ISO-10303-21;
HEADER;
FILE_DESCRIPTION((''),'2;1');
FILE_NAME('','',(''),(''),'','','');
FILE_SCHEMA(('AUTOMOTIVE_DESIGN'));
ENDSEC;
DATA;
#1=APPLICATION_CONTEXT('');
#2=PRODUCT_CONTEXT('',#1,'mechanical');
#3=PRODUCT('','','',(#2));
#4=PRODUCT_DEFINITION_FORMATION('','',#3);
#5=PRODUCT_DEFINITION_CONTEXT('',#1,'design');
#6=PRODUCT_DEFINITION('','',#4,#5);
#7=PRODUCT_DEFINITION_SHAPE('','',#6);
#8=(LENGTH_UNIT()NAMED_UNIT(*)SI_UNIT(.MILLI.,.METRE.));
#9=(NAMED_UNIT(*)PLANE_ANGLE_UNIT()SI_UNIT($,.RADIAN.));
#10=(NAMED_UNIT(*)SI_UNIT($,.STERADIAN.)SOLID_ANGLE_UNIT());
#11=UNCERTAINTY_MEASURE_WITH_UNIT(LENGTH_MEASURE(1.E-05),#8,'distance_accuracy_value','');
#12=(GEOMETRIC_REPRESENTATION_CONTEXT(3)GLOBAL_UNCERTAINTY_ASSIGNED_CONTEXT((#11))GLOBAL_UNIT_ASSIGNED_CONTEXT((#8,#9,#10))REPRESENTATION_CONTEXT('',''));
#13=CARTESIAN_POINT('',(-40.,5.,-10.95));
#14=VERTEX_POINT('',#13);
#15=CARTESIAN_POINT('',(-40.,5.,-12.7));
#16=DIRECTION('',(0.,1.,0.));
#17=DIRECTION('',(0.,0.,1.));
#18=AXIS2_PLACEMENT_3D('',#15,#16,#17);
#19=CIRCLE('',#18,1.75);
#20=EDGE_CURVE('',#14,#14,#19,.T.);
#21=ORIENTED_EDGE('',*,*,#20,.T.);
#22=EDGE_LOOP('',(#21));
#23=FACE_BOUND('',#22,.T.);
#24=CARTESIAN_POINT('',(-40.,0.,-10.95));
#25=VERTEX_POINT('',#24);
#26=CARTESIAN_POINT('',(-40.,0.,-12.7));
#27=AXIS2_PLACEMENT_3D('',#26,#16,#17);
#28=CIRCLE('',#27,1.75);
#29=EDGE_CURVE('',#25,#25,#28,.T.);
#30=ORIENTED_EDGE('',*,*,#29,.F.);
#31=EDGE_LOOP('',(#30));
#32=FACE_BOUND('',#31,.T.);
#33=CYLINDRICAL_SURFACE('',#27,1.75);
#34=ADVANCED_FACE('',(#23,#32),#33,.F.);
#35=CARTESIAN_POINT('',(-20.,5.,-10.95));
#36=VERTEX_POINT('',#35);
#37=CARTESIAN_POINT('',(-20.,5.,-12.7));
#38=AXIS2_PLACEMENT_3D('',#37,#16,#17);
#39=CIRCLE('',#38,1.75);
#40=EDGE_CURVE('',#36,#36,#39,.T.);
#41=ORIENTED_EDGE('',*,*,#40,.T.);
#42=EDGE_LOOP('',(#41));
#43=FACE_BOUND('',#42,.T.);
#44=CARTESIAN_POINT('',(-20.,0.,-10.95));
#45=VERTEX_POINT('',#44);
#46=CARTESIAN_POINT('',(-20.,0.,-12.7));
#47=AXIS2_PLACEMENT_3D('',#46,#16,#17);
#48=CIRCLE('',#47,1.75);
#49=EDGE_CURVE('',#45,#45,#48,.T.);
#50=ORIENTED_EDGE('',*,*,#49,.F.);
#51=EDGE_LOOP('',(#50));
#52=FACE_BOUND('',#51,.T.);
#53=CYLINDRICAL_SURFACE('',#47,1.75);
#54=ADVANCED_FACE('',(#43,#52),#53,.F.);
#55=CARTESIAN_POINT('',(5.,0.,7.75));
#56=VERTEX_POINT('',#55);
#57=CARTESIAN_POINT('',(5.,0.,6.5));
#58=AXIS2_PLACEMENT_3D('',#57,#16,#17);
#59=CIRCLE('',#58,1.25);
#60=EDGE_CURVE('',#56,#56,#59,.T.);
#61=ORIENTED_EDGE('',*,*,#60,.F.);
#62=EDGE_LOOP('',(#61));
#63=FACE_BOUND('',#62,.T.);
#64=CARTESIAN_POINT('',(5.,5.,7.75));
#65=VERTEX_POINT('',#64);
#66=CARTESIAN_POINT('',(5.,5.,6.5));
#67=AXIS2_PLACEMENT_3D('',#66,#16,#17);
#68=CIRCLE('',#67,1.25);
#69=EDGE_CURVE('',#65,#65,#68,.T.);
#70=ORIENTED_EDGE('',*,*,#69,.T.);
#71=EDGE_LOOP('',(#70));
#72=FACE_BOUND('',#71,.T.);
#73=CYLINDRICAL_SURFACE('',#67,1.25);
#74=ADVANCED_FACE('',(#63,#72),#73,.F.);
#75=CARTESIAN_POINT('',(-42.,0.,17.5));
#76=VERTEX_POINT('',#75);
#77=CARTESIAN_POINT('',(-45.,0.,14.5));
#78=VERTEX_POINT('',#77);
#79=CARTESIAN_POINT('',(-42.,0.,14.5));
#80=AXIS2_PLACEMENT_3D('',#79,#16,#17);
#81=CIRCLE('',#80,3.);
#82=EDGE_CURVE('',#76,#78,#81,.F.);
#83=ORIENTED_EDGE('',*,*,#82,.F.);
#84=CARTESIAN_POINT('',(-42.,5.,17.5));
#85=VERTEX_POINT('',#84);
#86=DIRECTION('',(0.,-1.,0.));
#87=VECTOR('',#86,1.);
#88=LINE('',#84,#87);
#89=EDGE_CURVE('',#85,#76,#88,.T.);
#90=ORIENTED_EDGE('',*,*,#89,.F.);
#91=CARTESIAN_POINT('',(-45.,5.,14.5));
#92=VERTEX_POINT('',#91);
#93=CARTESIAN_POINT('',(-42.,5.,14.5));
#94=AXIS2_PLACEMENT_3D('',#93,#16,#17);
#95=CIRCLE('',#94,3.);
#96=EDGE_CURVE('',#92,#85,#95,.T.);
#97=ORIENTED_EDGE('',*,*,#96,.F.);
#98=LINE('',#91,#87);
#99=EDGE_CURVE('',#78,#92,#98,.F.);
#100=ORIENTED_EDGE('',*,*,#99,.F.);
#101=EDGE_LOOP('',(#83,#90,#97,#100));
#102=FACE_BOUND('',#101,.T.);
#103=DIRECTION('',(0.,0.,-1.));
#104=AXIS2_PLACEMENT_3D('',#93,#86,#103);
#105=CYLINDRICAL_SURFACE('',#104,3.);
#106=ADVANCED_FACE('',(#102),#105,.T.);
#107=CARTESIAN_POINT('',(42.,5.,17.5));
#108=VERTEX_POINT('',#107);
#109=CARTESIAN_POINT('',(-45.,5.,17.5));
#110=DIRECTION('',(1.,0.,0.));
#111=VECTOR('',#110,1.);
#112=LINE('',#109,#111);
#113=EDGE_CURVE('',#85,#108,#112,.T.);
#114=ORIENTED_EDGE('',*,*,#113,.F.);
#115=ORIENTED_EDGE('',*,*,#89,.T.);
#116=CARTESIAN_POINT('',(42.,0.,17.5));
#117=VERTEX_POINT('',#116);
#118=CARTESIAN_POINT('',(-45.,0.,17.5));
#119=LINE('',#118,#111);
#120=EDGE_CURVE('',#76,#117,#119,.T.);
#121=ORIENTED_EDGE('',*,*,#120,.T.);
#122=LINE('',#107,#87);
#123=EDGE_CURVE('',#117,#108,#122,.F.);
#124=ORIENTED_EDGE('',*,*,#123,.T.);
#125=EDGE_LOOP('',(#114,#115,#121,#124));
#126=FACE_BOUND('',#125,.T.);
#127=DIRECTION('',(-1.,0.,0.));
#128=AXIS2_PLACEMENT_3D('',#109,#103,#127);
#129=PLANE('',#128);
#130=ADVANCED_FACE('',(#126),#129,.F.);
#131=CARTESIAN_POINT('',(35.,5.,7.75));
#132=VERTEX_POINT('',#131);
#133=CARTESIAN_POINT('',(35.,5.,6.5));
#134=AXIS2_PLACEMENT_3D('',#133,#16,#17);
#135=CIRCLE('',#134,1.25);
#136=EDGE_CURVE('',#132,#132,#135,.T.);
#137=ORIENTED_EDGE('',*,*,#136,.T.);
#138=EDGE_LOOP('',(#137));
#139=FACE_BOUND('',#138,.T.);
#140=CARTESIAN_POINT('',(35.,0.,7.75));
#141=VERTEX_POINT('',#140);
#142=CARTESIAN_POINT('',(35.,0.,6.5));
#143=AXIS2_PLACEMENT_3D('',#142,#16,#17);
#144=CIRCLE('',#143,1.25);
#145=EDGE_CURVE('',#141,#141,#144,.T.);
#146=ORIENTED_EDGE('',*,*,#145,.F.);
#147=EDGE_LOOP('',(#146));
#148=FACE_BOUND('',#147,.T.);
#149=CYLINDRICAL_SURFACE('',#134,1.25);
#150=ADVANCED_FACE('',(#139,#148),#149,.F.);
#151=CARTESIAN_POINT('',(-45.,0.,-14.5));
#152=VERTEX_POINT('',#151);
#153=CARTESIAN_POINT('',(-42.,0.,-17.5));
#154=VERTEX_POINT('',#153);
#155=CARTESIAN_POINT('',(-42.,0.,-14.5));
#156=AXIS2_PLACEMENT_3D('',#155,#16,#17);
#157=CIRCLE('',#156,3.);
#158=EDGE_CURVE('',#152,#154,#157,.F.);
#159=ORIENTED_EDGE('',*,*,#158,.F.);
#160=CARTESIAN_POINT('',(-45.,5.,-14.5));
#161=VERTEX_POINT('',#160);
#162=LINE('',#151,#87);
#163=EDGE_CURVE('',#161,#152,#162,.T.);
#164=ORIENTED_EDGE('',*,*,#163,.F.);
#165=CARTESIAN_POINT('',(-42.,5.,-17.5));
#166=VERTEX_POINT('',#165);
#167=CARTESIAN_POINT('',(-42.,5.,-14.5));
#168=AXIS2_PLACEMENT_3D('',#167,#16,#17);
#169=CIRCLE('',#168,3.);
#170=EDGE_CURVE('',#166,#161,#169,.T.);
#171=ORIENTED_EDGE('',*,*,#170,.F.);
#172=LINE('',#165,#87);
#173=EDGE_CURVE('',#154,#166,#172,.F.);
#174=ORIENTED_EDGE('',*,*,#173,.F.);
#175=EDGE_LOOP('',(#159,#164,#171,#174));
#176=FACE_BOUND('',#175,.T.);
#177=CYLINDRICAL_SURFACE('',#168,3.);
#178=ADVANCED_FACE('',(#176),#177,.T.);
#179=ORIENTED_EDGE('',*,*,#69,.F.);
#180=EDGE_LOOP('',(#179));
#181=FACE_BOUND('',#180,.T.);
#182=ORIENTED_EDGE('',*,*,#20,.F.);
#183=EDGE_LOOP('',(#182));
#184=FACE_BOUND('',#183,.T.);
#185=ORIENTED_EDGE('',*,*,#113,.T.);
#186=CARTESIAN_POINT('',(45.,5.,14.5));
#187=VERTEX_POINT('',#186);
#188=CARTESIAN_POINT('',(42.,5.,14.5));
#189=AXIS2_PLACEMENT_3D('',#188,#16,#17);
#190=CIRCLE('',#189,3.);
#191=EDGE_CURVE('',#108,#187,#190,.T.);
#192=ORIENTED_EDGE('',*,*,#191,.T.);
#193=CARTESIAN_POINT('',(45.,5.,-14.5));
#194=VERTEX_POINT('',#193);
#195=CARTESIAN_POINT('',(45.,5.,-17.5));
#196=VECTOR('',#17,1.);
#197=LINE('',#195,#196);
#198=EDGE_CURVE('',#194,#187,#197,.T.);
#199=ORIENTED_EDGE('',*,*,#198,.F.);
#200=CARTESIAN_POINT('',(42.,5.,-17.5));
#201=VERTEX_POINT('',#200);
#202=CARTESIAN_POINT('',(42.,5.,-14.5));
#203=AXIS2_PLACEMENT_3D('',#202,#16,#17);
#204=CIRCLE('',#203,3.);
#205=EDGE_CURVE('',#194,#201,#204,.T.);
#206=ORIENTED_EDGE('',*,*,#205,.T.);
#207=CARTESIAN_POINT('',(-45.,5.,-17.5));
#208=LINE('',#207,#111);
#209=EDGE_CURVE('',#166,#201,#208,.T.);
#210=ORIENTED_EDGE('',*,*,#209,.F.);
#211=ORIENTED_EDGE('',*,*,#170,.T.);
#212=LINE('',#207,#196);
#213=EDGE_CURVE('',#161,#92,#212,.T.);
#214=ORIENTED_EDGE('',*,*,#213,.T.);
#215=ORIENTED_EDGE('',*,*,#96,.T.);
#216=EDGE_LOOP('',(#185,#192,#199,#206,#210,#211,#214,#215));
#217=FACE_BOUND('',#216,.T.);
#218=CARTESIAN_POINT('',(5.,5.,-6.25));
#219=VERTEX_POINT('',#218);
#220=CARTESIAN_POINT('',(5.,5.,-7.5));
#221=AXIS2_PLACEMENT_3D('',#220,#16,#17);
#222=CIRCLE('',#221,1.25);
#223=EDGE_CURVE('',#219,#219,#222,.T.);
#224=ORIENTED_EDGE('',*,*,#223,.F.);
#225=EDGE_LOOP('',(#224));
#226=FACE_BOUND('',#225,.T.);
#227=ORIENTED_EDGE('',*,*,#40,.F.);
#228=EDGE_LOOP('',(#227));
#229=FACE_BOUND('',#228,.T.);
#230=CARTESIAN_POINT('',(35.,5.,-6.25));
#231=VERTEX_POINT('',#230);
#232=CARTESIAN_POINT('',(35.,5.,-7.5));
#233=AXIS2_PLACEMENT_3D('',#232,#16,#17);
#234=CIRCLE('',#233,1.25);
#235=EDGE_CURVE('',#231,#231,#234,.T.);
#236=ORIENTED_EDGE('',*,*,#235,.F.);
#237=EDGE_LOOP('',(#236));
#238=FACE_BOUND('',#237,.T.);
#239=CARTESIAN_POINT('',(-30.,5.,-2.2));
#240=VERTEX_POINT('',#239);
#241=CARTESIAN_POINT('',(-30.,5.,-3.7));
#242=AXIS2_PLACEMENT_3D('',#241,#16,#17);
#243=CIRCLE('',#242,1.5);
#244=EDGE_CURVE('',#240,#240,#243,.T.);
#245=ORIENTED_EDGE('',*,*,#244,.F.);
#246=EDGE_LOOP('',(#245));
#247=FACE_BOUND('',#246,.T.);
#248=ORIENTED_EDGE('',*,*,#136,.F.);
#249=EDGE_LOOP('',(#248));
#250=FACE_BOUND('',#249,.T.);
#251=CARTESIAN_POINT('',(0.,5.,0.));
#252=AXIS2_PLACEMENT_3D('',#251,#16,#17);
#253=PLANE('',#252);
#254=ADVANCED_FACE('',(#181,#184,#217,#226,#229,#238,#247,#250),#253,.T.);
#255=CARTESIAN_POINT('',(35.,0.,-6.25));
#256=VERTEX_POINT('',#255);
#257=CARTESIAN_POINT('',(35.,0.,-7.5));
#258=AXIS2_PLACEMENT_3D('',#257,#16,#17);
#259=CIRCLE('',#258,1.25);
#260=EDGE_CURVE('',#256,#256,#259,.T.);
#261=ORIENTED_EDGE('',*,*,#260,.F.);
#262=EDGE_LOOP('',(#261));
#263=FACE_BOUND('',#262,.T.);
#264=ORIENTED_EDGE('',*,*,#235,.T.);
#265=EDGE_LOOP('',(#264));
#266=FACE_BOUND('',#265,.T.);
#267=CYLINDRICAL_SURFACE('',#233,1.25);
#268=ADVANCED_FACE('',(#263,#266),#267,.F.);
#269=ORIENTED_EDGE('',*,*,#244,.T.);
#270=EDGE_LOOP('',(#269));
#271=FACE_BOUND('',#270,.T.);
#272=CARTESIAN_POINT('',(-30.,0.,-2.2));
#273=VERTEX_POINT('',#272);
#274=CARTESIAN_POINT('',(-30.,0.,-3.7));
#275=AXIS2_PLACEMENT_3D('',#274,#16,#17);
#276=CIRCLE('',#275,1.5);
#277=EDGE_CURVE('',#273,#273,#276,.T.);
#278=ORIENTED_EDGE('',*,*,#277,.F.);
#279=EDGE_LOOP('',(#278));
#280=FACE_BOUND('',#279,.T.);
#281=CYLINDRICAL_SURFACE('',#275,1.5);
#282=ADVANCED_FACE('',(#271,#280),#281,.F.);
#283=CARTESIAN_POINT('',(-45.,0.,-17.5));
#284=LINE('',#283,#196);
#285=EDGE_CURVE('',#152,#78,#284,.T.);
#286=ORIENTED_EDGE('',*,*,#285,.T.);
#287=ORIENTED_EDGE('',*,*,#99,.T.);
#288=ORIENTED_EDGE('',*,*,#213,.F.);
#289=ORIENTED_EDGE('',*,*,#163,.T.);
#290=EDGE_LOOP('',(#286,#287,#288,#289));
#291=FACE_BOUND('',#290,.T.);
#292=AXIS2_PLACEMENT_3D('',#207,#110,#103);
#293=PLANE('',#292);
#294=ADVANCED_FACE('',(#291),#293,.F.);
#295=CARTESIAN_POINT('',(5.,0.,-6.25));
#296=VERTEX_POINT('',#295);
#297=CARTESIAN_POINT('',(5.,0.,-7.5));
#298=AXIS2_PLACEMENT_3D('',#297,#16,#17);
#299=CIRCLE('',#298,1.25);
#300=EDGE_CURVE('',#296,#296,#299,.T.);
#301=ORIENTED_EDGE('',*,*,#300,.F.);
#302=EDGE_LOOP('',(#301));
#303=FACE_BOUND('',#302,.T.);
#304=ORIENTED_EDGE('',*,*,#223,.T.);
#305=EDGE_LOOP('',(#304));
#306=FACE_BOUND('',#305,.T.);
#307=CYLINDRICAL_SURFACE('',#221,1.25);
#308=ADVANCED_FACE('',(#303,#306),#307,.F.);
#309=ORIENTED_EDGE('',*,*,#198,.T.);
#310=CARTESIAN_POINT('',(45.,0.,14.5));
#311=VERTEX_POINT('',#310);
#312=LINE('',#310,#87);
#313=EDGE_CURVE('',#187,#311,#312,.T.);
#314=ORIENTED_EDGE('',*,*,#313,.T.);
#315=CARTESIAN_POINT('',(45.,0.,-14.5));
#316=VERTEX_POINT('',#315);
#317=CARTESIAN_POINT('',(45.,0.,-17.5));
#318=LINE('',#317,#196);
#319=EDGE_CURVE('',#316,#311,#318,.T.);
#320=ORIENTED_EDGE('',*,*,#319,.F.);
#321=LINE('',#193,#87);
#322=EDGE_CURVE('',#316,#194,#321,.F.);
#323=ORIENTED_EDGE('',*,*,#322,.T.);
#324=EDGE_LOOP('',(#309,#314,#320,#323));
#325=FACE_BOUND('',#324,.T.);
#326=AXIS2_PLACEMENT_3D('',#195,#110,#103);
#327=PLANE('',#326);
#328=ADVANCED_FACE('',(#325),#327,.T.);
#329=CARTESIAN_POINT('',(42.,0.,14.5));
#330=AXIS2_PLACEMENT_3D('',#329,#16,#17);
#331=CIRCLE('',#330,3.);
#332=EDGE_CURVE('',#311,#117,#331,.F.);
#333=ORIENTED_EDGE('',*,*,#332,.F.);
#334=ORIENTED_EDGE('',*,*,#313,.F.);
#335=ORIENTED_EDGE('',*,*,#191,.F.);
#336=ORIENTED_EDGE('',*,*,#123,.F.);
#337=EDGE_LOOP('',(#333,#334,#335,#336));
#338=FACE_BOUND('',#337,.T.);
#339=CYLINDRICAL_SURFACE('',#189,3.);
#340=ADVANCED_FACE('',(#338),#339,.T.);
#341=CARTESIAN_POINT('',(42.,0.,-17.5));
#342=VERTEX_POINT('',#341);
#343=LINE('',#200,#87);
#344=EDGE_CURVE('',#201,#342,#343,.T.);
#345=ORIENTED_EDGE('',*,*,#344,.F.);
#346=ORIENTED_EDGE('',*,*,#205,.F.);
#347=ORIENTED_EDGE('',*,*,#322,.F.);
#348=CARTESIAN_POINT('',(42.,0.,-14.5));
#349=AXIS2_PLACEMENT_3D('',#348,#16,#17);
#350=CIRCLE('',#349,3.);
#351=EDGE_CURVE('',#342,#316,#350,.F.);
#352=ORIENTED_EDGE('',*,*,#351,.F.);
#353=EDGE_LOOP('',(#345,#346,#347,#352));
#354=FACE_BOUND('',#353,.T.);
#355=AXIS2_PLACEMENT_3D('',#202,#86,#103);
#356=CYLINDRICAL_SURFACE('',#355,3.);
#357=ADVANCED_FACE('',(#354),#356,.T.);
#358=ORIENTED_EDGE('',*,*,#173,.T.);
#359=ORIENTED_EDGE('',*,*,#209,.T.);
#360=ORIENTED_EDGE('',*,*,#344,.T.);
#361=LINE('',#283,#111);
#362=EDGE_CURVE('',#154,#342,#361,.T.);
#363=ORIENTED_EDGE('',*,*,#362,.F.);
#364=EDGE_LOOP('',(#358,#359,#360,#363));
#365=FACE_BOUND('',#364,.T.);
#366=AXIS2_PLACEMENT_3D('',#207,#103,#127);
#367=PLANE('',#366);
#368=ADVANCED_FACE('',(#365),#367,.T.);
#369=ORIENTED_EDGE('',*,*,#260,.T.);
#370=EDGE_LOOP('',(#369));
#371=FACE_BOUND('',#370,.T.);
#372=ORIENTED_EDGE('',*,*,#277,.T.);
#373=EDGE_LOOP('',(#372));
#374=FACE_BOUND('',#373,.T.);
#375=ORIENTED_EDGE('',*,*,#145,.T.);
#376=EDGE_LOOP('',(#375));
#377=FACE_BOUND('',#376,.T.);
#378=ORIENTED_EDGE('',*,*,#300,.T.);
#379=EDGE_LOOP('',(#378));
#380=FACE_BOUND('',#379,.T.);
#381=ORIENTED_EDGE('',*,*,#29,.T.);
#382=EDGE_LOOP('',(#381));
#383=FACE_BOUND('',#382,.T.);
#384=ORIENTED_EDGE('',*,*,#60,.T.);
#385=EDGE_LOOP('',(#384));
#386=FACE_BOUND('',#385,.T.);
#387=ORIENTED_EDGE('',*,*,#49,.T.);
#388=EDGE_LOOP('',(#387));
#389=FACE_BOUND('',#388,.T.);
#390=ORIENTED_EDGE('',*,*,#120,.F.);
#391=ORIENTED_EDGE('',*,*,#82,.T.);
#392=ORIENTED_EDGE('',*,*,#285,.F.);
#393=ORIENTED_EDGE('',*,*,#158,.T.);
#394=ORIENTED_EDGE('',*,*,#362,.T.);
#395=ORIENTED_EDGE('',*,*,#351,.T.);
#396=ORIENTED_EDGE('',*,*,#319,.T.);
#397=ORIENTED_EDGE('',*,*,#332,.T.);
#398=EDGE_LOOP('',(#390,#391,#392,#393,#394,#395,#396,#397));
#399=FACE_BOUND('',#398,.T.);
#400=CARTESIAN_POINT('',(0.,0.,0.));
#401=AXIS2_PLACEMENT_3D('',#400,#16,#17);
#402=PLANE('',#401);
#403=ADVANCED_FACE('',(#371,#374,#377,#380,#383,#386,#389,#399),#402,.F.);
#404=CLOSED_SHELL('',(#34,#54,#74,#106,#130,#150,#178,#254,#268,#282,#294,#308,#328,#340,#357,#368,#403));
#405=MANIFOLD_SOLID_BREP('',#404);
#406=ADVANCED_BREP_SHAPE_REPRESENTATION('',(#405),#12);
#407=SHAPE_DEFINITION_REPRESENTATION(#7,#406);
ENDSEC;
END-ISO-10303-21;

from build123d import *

# Parameters (mm, degrees)
SKETCH_1_W                  = 90
SKETCH_1_H                  = 35
EXTRUDE_1_DEPTH             = 5
SKETCH_2_R                  = 1
CUT_EXTRUDE_1_DEPTH         = 49.541219597
PATTERN_LINEAR_1_COUNT      = 2
PATTERN_LINEAR_1_PITCH      = 30
PATTERN_LINEAR_1_COUNT_DIR2 = 2
PATTERN_LINEAR_1_PITCH_DIR2 = 14
SKETCH_3_R                  = 1.75
CUT_EXTRUDE_2_DEPTH         = 49.541219597
PATTERN_LINEAR_2_COUNT      = 2
PATTERN_LINEAR_2_PITCH      = 20
SKETCH_6_R                  = 1.5
CUT_EXTRUDE_3_DEPTH         = 49.541219597
FILLET_1_R                  = 3
FILLET_2_R                  = 3
FILLET_3_R                  = 3
FILLET_4_R                  = 3
HOLE_WIZARD_M3_1_D          = 2.5


with BuildPart() as part:
    # 草图1 → 凸台-拉伸1 (new body)
    with BuildSketch(Plane(origin=(0, 0, 0), x_dir=(1, 0, 0), z_dir=(0, 1, 0))):
        Rectangle(SKETCH_1_W, SKETCH_1_H)
    extrude(amount=EXTRUDE_1_DEPTH)

    # 草图2 → 切除-拉伸1 (cut, through all)
    with BuildSketch(Plane(origin=(0, 5, 0), x_dir=(1, 0, 0), z_dir=(0, 1, 0))):
        with Locations(Location((35, 7.5, 0), (0, 0, 270))):
            Circle(SKETCH_2_R)
    cut_extrude_1 = extrude(amount=-CUT_EXTRUDE_1_DEPTH, mode=Mode.SUBTRACT)

    # 阵列(线性)1: Cut-Extrude 1 2 × 2
    with Locations(*[(-i * PATTERN_LINEAR_1_PITCH, 0, j * PATTERN_LINEAR_1_PITCH_DIR2) for i in range(PATTERN_LINEAR_1_COUNT) for j in range(PATTERN_LINEAR_1_COUNT_DIR2) if (i, j) != (0, 0)]):
        add(cut_extrude_1, mode=Mode.SUBTRACT)

    # 草图3 → 切除-拉伸2 (cut, through all)
    with BuildSketch(Plane(origin=(0, 5, 0), x_dir=(1, 0, 0), z_dir=(0, 1, 0))):
        with Locations(Location((-20, 12.7, 0), (0, 0, 270))):
            Circle(SKETCH_3_R)
    cut_extrude_2 = extrude(amount=-CUT_EXTRUDE_2_DEPTH, mode=Mode.SUBTRACT)

    # 阵列(线性)2: 切除-拉伸2 ×2
    with Locations(*[(-i * PATTERN_LINEAR_2_PITCH, 0, 0) for i in range(1, PATTERN_LINEAR_2_COUNT)]):
        add(cut_extrude_2, mode=Mode.SUBTRACT)

    # 草图6 → 切除-拉伸3 (cut, through all)
    with BuildSketch(Plane(origin=(0, 5, 0), x_dir=(1, 0, 0), z_dir=(0, 1, 0))):
        with Locations(Location((-30, 3.7, 0), (0, 0, 270))):
            Circle(SKETCH_6_R)
    extrude(amount=-CUT_EXTRUDE_3_DEPTH, mode=Mode.SUBTRACT)

    # 圆角1
    fillet_1_edges = [part.edges().sort_by_distance(p)[0] for p in [
        (-45, 2.5, 17.5),
    ]]
    fillet(fillet_1_edges, radius=FILLET_1_R)

    # 圆角2
    fillet_2_edges = [part.edges().sort_by_distance(p)[0] for p in [
        (-45, 2.5, -17.5),
    ]]
    fillet(fillet_2_edges, radius=FILLET_2_R)

    # 圆角3
    fillet_3_edges = [part.edges().sort_by_distance(p)[0] for p in [
        (45, 2.5, -17.5),
    ]]
    fillet(fillet_3_edges, radius=FILLET_3_R)

    # 圆角4
    fillet_4_edges = [part.edges().sort_by_distance(p)[0] for p in [
        (45, 2.5, 17.5),
    ]]
    fillet(fillet_4_edges, radius=FILLET_4_R)

    # M3 螺纹孔1 (through all)
    with Locations(Plane(origin=(0, 5, 0), x_dir=(1, 0, 0), z_dir=(0, 1, 0))):
        with Locations((5, 7.5), (5, -6.5), (35, 7.5), (35, -6.5)):
            Hole(HOLE_WIZARD_M3_1_D / 2)


solid = part.part
